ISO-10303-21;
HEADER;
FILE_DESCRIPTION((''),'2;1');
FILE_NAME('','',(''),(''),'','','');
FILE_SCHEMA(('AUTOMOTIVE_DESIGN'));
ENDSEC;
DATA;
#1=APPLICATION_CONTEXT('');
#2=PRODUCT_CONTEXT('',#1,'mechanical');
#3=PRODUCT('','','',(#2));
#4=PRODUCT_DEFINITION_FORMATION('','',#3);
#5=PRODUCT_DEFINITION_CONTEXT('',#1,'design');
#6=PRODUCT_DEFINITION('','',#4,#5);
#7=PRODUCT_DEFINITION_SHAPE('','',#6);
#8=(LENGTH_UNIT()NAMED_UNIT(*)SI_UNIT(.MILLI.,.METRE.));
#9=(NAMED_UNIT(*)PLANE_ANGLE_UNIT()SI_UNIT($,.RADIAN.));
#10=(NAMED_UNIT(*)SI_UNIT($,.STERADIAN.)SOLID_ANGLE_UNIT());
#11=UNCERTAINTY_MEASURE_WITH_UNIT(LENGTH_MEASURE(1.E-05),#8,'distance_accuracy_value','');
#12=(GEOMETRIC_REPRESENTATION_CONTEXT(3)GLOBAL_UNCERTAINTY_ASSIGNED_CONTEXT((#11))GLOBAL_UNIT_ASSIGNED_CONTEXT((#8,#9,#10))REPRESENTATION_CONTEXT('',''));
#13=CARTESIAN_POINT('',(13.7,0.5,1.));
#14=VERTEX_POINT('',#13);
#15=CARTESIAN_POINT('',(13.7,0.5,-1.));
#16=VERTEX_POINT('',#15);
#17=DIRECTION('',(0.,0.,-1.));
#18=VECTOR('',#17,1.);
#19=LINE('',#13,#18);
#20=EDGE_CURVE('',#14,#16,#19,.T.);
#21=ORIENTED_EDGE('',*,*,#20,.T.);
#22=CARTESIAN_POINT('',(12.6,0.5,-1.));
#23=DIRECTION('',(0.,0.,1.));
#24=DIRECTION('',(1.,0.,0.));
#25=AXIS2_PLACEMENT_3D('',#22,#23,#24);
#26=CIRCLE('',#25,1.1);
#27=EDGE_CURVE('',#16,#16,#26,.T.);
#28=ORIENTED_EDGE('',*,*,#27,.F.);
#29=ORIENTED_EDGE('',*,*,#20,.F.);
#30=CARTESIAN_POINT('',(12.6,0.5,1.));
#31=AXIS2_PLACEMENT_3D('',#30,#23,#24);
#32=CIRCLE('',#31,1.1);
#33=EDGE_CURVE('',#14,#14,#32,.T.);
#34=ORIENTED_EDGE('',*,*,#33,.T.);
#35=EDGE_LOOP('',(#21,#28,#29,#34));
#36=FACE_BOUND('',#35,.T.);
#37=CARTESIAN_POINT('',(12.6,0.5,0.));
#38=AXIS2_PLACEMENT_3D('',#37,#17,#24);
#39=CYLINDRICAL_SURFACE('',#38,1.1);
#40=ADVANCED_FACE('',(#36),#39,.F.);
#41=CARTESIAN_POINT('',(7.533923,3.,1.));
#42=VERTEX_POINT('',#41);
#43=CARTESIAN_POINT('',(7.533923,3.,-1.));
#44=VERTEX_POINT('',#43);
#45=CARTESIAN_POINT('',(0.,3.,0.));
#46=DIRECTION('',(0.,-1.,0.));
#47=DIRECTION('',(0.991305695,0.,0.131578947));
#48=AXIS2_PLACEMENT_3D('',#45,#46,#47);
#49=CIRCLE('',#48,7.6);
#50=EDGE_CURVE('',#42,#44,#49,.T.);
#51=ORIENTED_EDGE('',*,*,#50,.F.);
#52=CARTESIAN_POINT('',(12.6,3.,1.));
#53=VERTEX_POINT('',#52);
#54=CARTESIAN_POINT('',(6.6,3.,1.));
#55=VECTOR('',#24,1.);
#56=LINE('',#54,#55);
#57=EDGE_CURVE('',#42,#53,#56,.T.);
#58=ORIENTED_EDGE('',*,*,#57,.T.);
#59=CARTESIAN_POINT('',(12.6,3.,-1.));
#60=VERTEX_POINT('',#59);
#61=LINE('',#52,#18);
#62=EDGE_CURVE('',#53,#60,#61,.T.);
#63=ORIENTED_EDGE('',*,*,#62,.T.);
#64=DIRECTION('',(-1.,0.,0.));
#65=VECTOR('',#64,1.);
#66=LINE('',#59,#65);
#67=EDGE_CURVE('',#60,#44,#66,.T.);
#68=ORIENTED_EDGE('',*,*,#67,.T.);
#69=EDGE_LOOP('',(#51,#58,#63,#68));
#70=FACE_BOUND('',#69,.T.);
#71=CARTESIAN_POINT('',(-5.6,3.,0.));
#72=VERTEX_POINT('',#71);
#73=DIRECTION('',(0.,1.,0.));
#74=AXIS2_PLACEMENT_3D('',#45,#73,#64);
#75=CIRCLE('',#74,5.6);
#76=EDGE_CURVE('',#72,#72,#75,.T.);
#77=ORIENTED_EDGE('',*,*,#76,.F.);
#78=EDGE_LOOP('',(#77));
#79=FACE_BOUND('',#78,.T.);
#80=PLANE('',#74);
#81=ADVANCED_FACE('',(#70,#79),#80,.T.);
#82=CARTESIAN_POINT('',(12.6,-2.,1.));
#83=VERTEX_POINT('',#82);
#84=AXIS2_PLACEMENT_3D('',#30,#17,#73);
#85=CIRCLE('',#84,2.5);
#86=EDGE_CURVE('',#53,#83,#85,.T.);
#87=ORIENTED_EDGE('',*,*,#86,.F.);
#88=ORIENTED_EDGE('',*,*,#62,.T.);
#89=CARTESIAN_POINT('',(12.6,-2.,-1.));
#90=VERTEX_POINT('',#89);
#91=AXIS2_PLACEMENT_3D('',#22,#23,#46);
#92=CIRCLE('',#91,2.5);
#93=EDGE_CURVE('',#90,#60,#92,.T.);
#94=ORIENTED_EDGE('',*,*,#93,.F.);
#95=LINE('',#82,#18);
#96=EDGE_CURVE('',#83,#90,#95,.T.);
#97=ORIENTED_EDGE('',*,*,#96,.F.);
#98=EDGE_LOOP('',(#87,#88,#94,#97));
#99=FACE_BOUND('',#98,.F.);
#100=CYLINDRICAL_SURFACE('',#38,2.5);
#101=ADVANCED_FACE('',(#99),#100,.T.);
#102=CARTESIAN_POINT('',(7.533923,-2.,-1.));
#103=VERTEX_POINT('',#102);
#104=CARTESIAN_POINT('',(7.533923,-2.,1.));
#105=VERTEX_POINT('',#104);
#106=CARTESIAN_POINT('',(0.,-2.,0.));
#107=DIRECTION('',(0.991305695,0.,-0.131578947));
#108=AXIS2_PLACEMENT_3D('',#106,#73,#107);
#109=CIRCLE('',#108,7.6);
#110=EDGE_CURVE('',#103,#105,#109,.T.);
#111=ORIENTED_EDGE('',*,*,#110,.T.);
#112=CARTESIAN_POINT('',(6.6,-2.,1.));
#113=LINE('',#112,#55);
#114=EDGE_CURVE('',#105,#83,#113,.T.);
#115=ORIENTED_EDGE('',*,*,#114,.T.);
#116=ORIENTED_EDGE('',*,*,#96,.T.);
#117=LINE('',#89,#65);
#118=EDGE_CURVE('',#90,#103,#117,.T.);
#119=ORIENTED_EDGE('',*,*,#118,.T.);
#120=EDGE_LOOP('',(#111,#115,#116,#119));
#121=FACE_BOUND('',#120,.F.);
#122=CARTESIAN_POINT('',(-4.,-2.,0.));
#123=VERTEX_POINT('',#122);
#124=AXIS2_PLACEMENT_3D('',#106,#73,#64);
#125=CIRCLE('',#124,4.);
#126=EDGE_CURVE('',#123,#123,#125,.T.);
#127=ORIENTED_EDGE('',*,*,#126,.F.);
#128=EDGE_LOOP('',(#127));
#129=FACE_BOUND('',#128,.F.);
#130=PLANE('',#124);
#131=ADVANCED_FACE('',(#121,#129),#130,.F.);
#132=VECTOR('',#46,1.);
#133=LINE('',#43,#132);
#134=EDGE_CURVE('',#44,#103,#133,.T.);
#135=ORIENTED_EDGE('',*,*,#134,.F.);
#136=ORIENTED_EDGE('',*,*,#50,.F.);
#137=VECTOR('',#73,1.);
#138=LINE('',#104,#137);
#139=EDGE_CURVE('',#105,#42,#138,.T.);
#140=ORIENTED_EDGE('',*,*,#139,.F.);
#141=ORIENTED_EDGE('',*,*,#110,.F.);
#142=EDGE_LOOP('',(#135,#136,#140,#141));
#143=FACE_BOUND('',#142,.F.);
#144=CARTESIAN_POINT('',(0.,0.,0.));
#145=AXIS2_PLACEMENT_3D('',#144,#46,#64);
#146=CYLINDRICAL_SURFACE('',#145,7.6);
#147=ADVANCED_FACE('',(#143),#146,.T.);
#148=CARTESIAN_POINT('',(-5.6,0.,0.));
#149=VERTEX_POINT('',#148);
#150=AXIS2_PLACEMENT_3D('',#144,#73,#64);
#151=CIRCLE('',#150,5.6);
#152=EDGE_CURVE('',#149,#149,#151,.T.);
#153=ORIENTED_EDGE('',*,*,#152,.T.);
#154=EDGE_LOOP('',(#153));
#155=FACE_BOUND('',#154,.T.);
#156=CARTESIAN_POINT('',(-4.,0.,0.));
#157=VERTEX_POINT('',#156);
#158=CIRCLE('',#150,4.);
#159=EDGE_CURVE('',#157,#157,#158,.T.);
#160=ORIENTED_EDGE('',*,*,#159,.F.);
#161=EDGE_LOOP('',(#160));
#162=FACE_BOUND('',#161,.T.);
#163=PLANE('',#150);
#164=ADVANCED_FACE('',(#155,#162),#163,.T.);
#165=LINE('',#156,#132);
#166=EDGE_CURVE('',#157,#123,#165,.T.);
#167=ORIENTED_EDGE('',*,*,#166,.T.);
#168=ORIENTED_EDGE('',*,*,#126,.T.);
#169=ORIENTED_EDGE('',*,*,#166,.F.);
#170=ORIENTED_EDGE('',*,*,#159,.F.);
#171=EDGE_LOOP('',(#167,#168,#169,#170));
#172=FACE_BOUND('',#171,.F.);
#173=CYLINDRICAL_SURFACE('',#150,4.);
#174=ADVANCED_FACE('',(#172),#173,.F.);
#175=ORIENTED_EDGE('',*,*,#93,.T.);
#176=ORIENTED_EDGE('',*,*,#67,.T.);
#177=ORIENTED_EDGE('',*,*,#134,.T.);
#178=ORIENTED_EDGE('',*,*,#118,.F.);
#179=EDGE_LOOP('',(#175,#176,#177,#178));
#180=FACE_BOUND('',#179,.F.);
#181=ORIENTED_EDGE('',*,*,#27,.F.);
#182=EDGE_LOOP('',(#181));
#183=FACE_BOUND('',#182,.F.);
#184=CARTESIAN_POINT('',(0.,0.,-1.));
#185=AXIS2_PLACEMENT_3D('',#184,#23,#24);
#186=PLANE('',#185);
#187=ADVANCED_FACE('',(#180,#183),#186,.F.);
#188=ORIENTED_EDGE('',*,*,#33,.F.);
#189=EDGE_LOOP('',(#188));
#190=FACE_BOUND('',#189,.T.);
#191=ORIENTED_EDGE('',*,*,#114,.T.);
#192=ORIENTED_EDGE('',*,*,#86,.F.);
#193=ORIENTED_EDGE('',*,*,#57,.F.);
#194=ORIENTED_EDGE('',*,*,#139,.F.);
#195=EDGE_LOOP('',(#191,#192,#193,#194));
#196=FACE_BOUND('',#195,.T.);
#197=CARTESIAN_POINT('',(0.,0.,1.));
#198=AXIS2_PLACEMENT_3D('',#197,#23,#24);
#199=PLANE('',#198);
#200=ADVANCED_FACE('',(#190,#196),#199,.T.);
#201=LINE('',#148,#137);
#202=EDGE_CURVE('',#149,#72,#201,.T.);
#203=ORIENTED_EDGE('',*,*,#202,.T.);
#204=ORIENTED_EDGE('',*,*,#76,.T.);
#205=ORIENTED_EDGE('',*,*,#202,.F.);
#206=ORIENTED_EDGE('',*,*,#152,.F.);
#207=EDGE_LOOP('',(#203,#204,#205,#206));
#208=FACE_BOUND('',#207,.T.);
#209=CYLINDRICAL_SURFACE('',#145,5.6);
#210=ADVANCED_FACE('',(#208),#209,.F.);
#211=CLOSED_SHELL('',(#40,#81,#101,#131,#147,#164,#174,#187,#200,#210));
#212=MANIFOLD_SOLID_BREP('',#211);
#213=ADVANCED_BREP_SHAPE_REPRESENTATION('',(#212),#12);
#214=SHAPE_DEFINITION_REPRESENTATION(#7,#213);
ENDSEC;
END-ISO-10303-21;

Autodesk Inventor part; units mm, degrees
ref_plane "YZ Plane" through (0, 0, 0) normal (1, 0, 0) x (0, 1, 0)
ref_plane "XZ Plane" through (0, 0, 0) normal (0, 1, 0) x (-1, 0, 0)
ref_plane "XY Plane" through (0, 0, 0) normal (0, 0, 1) x (1, 0, 0)
sketch "Sketch1" plane through (0, 0, 0) normal (0, 1, 0) x (-1, 0, 0)
  circle A0 centre (0, 0) radius 4
  circle A1 centre (0, 0) radius 5.6
  circle A2 centre (0, 0) radius 7.6
  dimension "d0" = 8
  dimension "d1" = 11.2
  dimension "d14" = 2
extrude "Extrusion1" add sketch "Sketch1" against normal blind 2 contours A1 | A2
extrude "Extrusion2" add sketch "Sketch1" along normal blind 3 contours A2
sketch "Sketch2" plane through (0, 0, 0) normal (0, 0, 1) x (1, 0, 0)
  line L0 (7.6, 3) -> (7.6, -2) projected
  line L1 (7.6, 3) -> (12.6, 3)
  line L2 (7.6, -2) -> (12.6, -2)
  line L3 (7.6, 0.5) -> (12.6, 0.5) construction
  circle A0 centre (12.6, 0.5) radius 2.5
  circle A1 centre (12.6, 0.5) radius 1.1
  line L4 (7.6, 3) -> (6.6, 3)
  line L5 (6.6, 3) -> (6.6, -2)
  line L6 (6.6, -2) -> (7.6, -2)
  point P0 (0, 0)
  dimension "d7" = 2.2
  dimension "d8" = 5
  dimension "d11" = 1
  dimension "d15" = 5
extrude "Extrusion3" add sketch "Sketch2" along normal mid plane 2
properties part number "Bearing Grip_3DPrint"
